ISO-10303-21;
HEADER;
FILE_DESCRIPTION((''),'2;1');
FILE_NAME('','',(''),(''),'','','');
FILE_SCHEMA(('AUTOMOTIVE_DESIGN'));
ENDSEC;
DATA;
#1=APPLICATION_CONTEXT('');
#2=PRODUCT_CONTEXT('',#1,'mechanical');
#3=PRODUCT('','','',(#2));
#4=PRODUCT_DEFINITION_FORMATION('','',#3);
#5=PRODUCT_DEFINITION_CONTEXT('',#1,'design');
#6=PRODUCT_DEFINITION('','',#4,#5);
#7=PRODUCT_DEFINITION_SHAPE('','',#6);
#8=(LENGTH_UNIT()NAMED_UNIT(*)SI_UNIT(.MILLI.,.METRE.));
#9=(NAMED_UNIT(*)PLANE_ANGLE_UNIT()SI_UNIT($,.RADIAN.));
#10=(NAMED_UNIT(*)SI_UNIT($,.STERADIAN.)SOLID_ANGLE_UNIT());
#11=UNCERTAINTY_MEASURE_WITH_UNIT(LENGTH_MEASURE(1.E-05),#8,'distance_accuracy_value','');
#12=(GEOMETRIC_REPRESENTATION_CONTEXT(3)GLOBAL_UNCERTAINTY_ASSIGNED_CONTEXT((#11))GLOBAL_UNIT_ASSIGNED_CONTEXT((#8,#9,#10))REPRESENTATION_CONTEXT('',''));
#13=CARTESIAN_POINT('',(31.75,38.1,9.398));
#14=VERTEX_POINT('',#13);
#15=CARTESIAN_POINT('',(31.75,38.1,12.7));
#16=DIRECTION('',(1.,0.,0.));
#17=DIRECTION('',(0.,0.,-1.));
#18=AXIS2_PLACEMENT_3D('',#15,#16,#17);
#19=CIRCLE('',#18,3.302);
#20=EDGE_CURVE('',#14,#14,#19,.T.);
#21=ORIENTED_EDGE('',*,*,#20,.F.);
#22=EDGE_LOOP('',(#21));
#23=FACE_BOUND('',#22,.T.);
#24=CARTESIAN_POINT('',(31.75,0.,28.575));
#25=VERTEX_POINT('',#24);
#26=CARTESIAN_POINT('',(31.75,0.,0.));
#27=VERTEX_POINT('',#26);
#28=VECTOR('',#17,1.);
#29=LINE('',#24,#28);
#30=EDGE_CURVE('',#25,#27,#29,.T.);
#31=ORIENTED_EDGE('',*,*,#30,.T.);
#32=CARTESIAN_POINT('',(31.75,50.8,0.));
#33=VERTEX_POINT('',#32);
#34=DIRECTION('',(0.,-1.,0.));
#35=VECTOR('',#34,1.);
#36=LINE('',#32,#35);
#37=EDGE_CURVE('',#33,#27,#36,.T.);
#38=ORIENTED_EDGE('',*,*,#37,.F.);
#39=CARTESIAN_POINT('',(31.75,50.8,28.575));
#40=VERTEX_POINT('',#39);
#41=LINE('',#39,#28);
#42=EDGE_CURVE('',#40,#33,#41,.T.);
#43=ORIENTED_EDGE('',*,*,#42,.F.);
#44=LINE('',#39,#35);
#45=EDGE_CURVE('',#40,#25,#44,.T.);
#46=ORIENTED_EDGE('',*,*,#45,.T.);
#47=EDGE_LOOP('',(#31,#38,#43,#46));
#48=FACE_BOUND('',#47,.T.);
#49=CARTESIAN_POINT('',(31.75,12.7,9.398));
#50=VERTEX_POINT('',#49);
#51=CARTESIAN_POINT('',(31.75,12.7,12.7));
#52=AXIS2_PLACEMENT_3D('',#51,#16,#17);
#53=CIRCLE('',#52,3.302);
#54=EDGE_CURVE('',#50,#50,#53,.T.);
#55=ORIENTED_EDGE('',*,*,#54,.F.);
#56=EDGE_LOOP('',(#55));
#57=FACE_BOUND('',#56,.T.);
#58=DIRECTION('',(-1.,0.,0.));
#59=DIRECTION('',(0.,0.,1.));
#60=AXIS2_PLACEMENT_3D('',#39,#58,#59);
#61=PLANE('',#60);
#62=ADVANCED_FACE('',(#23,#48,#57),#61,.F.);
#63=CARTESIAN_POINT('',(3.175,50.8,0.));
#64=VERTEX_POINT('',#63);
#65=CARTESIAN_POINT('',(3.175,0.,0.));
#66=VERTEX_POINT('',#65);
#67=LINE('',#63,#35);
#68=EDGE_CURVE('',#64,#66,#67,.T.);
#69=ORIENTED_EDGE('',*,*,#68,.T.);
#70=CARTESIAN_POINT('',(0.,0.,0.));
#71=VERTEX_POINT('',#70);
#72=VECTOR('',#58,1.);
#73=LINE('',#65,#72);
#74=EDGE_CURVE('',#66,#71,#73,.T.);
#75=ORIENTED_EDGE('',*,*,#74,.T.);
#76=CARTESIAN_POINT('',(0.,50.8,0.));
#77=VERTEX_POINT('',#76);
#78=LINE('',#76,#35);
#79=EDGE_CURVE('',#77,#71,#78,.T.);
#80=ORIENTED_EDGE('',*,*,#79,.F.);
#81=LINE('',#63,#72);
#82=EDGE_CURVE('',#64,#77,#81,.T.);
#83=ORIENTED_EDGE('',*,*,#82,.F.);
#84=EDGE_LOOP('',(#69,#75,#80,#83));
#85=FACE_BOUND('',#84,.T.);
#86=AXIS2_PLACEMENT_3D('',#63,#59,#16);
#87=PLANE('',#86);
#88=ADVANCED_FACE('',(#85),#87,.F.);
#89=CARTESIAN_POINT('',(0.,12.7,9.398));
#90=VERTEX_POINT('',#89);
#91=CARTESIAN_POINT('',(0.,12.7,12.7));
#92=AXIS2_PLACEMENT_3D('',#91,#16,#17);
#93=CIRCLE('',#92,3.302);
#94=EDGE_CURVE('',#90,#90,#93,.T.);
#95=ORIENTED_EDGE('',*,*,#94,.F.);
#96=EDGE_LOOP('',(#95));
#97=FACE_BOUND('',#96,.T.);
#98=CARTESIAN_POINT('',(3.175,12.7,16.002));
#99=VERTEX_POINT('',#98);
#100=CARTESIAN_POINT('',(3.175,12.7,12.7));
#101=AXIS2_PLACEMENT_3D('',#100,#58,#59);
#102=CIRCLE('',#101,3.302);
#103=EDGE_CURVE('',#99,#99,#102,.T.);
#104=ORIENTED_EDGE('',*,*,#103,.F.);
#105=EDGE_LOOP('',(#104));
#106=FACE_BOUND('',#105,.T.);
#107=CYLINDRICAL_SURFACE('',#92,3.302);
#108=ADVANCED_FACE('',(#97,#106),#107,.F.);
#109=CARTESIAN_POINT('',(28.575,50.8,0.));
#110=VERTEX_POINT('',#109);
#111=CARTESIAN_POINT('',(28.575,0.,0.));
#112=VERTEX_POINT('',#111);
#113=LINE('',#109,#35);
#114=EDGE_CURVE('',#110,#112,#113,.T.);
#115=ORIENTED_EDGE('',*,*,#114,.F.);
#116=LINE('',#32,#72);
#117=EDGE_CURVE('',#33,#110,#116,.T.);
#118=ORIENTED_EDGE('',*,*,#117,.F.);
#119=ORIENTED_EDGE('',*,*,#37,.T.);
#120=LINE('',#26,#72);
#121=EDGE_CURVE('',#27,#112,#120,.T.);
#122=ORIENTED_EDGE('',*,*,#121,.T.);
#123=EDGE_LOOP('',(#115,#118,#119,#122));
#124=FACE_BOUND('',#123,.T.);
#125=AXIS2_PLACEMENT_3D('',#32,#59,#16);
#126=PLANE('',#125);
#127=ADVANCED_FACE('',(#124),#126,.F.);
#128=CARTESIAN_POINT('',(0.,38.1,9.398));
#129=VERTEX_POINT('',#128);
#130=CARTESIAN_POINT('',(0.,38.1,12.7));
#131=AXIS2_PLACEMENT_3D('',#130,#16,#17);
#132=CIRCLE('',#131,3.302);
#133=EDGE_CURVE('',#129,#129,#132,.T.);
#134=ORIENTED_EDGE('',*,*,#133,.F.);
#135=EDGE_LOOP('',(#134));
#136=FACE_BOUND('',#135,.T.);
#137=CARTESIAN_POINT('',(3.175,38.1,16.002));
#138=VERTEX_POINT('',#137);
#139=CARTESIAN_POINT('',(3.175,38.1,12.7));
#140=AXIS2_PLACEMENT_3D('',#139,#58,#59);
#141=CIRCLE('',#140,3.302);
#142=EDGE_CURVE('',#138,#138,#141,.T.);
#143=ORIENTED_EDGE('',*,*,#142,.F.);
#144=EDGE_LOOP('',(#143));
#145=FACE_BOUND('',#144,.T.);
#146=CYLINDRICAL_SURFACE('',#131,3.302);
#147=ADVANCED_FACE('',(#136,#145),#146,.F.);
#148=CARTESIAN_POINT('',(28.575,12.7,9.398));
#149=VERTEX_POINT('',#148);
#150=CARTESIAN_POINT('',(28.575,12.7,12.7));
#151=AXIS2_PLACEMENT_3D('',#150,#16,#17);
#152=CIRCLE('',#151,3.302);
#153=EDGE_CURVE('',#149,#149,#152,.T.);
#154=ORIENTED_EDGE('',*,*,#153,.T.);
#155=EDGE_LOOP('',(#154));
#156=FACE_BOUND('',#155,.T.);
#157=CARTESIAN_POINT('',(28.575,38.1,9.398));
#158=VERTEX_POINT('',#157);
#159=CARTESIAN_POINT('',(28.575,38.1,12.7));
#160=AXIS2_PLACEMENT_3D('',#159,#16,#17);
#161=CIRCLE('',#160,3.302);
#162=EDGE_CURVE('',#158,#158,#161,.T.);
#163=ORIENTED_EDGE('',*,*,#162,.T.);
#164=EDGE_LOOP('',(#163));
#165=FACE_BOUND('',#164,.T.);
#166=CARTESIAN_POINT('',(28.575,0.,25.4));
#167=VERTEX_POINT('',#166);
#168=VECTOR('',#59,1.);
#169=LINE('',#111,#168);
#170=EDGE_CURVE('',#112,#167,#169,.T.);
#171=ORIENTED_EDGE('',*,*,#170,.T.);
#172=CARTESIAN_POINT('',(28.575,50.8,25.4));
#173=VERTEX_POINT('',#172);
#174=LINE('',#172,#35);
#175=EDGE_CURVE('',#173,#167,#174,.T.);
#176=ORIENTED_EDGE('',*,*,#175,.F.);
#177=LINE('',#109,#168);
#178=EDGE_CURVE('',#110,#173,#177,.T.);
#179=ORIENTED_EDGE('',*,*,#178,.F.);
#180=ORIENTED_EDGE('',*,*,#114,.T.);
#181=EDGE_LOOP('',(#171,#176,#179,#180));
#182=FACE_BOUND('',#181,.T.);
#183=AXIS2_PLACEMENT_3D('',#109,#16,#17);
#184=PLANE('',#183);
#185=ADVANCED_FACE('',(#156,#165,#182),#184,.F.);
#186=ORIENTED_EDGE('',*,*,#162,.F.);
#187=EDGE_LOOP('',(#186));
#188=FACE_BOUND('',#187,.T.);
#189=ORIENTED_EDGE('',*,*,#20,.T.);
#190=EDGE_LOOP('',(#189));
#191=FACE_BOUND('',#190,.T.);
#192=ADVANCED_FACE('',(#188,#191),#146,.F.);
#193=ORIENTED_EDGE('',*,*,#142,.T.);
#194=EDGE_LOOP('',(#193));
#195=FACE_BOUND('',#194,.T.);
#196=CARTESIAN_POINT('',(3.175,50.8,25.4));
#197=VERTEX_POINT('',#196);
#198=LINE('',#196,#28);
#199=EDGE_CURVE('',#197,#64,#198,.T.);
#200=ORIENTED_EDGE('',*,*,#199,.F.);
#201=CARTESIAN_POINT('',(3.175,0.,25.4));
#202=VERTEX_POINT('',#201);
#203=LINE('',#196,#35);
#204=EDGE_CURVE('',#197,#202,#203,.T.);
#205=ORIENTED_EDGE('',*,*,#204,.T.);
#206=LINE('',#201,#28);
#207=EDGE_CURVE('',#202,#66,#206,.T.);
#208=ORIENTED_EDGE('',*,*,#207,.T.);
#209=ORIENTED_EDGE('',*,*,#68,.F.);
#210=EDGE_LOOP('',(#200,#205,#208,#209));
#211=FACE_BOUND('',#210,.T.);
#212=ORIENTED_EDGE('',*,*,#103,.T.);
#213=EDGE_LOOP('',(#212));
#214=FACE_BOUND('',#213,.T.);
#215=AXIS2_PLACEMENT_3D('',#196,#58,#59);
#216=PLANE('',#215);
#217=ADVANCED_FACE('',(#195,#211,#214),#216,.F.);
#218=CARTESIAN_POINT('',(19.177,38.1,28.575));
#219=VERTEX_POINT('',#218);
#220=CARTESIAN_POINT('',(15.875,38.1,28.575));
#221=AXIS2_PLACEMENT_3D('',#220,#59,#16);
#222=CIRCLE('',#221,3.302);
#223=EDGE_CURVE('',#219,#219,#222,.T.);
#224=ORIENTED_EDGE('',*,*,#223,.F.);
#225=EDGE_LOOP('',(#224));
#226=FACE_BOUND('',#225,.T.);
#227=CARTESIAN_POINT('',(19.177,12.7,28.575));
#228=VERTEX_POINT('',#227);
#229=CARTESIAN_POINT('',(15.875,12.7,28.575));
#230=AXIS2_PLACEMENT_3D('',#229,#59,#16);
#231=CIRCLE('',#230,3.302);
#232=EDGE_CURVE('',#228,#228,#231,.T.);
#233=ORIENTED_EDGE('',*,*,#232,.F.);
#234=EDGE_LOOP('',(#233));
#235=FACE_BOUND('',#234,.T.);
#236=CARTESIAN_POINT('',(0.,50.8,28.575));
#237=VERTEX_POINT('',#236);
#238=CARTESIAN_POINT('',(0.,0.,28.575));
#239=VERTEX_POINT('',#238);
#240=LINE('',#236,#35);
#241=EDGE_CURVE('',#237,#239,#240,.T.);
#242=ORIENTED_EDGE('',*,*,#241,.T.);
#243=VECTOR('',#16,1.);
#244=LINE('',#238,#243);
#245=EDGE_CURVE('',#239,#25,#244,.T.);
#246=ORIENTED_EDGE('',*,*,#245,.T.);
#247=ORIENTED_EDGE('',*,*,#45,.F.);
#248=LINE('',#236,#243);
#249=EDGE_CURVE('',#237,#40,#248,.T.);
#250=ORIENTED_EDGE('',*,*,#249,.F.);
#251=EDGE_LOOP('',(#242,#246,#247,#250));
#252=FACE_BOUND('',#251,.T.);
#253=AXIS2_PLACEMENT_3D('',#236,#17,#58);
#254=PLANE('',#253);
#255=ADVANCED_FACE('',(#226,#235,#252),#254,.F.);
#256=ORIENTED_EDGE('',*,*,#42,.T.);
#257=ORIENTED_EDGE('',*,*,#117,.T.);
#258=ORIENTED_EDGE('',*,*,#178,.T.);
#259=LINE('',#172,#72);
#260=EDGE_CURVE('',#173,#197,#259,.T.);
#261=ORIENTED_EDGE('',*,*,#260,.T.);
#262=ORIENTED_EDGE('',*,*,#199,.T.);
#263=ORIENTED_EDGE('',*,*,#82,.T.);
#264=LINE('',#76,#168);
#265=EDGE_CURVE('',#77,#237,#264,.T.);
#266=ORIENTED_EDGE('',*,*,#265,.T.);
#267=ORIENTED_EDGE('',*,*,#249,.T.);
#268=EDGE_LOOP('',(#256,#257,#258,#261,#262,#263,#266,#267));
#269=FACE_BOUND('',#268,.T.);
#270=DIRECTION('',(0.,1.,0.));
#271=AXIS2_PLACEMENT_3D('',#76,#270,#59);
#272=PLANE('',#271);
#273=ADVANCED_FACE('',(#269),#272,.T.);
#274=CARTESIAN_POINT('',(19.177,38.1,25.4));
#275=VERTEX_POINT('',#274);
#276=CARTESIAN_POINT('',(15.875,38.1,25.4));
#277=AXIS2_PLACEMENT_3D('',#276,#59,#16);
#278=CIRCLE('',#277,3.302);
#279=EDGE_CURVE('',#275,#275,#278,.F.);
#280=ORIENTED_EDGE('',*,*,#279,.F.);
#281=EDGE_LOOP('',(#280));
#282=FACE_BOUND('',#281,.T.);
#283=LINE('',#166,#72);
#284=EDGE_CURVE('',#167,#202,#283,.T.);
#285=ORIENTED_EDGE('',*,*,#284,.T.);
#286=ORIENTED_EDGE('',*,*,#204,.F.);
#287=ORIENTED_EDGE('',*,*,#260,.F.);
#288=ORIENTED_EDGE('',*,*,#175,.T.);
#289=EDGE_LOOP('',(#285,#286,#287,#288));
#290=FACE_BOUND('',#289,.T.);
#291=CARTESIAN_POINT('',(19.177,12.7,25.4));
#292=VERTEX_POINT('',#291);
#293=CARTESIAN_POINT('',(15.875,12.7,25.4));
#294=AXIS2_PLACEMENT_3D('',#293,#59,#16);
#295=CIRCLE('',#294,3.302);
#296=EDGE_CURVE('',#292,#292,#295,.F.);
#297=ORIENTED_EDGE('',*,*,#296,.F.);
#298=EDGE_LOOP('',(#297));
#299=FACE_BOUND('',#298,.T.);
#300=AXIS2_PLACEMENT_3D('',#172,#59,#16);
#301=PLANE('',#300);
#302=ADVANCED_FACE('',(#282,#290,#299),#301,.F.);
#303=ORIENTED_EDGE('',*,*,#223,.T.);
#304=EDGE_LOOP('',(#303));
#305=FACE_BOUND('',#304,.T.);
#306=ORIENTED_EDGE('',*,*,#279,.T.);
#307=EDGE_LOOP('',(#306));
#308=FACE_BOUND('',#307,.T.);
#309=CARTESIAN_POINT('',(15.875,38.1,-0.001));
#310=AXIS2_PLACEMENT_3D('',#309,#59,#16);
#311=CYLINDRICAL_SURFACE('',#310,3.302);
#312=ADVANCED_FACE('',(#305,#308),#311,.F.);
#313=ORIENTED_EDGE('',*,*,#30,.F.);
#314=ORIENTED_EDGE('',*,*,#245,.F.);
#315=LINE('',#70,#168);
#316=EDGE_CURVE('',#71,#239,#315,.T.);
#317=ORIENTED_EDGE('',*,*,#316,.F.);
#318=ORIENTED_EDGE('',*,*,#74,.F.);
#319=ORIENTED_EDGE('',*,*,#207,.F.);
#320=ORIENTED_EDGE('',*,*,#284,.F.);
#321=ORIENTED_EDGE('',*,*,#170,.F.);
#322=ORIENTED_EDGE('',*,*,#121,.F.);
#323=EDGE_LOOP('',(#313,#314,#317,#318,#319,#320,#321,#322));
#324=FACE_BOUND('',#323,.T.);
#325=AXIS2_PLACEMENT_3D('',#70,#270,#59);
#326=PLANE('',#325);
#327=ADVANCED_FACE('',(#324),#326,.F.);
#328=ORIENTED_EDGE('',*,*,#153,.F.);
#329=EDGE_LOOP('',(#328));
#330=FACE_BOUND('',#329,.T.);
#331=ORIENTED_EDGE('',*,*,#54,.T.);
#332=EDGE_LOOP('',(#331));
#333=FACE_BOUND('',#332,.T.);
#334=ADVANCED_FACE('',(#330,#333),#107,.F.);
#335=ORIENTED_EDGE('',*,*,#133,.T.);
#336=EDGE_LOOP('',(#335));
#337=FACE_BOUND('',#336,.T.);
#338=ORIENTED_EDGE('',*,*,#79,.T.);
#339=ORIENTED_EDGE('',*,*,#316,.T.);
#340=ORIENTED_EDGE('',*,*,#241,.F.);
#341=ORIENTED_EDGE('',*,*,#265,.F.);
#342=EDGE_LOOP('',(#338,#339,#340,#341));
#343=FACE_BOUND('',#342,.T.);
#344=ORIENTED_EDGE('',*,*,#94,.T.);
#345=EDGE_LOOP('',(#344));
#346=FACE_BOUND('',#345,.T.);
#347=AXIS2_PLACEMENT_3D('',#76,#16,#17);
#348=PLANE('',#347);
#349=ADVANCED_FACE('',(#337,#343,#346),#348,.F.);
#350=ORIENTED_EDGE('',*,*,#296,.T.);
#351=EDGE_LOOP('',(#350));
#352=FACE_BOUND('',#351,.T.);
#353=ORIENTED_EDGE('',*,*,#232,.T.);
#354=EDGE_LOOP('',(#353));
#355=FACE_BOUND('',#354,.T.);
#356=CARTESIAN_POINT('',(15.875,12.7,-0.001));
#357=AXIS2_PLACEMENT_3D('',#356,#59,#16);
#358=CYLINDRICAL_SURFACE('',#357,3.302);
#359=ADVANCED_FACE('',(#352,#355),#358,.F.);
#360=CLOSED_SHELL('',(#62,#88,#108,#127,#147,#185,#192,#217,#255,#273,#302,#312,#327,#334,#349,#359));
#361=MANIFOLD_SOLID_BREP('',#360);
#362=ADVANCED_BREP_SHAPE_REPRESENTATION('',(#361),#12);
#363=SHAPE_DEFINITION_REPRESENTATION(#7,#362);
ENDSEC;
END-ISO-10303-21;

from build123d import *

# Parameters (mm, degrees)
BOSS_EXTRUDE1_DEPTH = 50.8
CUT_EXTRUDE1_REACH  = 68.372
SKETCH2_R           = 3.302
SKETCH3_R           = 3.302
CUT_EXTRUDE2_DEPTH  = 67.371930249


with BuildPart() as part:
    # Sketch1 → Boss-Extrude1 (new body)
    with BuildSketch(Plane(origin=(0, 0, 0), x_dir=(1, 0, 0), z_dir=(0, 1, 0))):
        Polygon((0, 0), (0, -28.575), (31.75, -28.575), (31.75, 0), (28.575, 0), (28.575, -25.4), (3.175, -25.4), (3.175, 0), align=None)
    extrude(amount=BOSS_EXTRUDE1_DEPTH)

    # Sketch2 → Cut-Extrude1 (cut, up to next)
    with BuildSketch(Plane.XY.offset(28.575), mode=Mode.PRIVATE) as cut_extrude1_sk1:
        with Locations((15.875, 38.1)):
            Circle(SKETCH2_R)
    cut_extrude1_tool1 = extrude(cut_extrude1_sk1.sketch, amount=-CUT_EXTRUDE1_REACH, mode=Mode.PRIVATE) & part.part
    # Sketch2 → Cut-Extrude1 (cut, up to next)
    with BuildSketch(Plane.XY.offset(28.575), mode=Mode.PRIVATE) as cut_extrude1_sk2:
        with Locations((15.875, 12.7)):
            Circle(SKETCH2_R)
    cut_extrude1_tool2 = extrude(cut_extrude1_sk2.sketch, amount=-CUT_EXTRUDE1_REACH, mode=Mode.PRIVATE) & part.part
    add(cut_extrude1_tool1.solids().sort_by_distance((15.875, 38.1, 28.575))[0], mode=Mode.SUBTRACT)
    add(cut_extrude1_tool2.solids().sort_by_distance((15.875, 12.7, 28.575))[0], mode=Mode.SUBTRACT)

    # Sketch3 → Cut-Extrude2 (cut, through all)
    with BuildSketch(Plane(origin=(31.75, 0, 0), x_dir=(0, 0, -1), z_dir=(1, 0, 0))):
        with Locations((-12.7, 38.1)):
            Circle(SKETCH3_R)
        with Locations((-12.7, 12.7)):
            Circle(SKETCH3_R)
    extrude(amount=-CUT_EXTRUDE2_DEPTH, mode=Mode.SUBTRACT)


solid = part.part
